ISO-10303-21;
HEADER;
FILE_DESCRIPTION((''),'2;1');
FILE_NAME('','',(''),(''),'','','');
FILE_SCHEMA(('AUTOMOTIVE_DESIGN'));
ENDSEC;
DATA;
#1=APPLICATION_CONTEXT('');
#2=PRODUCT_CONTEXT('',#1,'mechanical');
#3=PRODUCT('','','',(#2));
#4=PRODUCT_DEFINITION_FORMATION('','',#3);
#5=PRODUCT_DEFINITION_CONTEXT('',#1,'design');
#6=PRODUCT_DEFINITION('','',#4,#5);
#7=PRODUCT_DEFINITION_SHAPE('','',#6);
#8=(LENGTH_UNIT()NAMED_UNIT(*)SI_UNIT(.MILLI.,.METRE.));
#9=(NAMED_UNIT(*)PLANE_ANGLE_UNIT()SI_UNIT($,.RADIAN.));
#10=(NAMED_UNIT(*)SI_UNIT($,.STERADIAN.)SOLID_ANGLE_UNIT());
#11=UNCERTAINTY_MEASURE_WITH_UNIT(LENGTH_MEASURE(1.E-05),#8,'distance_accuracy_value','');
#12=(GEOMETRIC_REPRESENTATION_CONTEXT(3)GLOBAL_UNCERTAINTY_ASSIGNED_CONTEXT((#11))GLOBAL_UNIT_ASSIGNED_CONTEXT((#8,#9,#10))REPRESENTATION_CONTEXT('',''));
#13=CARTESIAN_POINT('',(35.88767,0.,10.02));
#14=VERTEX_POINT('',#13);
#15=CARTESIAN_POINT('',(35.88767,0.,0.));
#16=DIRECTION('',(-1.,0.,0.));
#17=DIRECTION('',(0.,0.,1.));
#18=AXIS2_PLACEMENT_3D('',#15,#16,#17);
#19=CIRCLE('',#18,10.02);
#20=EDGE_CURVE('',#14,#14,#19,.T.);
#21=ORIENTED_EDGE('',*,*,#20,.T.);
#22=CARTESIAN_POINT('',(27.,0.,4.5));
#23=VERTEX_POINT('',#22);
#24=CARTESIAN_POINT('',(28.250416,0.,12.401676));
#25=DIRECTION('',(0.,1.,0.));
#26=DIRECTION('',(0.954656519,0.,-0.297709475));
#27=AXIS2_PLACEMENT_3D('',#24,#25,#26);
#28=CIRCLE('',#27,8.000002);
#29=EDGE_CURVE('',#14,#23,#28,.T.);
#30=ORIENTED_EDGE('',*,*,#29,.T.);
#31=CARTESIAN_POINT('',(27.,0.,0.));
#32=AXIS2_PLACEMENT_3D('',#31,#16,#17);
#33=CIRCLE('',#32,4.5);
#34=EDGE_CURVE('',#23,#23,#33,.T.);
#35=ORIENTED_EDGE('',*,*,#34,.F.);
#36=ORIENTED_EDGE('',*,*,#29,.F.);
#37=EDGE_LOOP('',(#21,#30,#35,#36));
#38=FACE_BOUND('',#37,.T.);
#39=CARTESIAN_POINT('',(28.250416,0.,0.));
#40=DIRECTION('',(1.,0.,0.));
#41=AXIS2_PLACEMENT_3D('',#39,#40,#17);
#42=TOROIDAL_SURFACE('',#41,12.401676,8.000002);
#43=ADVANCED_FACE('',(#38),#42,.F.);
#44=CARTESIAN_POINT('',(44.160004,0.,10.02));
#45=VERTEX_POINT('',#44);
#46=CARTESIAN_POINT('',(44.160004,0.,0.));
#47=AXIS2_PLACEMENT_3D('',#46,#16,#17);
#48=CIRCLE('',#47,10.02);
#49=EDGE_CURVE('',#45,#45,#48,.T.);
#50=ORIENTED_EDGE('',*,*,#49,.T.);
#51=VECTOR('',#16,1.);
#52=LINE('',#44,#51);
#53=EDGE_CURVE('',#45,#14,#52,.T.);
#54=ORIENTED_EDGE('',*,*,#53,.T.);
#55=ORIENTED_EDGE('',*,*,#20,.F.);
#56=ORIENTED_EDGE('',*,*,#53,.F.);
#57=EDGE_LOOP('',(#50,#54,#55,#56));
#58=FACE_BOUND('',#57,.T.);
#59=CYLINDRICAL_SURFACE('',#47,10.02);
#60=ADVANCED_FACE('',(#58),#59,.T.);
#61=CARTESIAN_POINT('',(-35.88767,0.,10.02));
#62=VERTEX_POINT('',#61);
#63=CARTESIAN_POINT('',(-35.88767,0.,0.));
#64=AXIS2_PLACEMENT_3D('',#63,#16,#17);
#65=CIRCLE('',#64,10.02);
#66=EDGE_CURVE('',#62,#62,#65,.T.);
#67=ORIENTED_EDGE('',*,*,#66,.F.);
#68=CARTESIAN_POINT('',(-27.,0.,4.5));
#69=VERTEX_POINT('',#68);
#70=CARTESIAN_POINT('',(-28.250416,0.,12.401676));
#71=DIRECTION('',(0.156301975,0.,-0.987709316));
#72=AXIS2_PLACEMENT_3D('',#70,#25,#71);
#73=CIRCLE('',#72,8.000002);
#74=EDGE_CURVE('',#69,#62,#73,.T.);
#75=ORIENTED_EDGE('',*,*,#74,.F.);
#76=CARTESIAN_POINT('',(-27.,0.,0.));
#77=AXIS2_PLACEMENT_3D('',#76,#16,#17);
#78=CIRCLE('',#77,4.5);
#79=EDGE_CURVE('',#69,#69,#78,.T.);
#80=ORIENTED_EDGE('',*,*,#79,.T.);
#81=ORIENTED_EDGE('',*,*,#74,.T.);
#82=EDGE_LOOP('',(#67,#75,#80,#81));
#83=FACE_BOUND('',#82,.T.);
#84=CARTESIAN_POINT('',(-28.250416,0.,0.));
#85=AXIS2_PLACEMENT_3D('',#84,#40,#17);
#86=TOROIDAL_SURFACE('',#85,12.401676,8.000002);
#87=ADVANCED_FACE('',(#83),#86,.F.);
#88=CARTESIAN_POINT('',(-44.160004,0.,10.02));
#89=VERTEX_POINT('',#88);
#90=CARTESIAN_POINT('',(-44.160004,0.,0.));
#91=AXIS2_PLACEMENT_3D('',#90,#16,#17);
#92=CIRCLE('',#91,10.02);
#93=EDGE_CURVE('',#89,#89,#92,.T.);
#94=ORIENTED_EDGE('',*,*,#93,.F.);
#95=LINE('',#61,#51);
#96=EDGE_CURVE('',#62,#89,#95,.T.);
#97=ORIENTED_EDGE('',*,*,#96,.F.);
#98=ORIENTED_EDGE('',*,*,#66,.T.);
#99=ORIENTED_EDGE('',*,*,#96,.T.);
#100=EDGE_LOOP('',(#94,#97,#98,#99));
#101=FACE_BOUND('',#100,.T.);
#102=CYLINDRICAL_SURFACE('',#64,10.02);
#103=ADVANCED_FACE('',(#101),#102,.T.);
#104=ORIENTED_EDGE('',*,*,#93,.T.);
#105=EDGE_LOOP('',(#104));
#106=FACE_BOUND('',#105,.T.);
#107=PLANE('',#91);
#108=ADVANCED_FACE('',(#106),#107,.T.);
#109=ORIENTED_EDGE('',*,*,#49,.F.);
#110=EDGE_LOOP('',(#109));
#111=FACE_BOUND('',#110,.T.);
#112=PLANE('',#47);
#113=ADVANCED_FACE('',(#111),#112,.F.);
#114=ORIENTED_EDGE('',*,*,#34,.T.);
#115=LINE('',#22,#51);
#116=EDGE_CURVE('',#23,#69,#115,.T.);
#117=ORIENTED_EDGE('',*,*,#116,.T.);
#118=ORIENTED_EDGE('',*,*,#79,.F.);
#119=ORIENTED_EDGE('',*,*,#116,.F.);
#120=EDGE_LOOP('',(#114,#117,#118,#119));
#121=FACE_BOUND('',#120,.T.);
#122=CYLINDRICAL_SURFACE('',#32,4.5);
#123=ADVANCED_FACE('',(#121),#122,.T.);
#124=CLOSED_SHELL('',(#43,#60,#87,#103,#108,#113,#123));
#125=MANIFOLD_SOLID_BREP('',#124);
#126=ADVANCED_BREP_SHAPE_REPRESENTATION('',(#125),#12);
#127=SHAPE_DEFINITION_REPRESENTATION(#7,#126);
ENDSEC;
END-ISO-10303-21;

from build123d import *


with BuildPart() as f1:
    # F0 (on Front) → F1 (revolve)
    with BuildSketch(Plane.XZ):
        with BuildLine():
            Line((-44.160004, 0), (0, 0))
            Line((0, 0), (44.160004, 0))
            Line((44.160004, 0), (44.160004, 10.02))
            Line((44.160004, 10.02), (35.88767, 10.02))
            ThreePointArc((35.88767, 10.02), (32.47126, 5.605758), (27, 4.5))
            Line((27, 4.5), (0, 4.5))
            Line((0, 4.5), (-27, 4.5))
            ThreePointArc((-27, 4.5), (-32.47126, 5.605758), (-35.88767, 10.02))
            Line((-35.88767, 10.02), (-44.160004, 10.02))
            Line((-44.160004, 10.02), (-44.160004, 0))
        make_face()
    revolve(axis=Axis((-22.080002, 0, 0), (-1, 0, 0)))


solid = f1.part
